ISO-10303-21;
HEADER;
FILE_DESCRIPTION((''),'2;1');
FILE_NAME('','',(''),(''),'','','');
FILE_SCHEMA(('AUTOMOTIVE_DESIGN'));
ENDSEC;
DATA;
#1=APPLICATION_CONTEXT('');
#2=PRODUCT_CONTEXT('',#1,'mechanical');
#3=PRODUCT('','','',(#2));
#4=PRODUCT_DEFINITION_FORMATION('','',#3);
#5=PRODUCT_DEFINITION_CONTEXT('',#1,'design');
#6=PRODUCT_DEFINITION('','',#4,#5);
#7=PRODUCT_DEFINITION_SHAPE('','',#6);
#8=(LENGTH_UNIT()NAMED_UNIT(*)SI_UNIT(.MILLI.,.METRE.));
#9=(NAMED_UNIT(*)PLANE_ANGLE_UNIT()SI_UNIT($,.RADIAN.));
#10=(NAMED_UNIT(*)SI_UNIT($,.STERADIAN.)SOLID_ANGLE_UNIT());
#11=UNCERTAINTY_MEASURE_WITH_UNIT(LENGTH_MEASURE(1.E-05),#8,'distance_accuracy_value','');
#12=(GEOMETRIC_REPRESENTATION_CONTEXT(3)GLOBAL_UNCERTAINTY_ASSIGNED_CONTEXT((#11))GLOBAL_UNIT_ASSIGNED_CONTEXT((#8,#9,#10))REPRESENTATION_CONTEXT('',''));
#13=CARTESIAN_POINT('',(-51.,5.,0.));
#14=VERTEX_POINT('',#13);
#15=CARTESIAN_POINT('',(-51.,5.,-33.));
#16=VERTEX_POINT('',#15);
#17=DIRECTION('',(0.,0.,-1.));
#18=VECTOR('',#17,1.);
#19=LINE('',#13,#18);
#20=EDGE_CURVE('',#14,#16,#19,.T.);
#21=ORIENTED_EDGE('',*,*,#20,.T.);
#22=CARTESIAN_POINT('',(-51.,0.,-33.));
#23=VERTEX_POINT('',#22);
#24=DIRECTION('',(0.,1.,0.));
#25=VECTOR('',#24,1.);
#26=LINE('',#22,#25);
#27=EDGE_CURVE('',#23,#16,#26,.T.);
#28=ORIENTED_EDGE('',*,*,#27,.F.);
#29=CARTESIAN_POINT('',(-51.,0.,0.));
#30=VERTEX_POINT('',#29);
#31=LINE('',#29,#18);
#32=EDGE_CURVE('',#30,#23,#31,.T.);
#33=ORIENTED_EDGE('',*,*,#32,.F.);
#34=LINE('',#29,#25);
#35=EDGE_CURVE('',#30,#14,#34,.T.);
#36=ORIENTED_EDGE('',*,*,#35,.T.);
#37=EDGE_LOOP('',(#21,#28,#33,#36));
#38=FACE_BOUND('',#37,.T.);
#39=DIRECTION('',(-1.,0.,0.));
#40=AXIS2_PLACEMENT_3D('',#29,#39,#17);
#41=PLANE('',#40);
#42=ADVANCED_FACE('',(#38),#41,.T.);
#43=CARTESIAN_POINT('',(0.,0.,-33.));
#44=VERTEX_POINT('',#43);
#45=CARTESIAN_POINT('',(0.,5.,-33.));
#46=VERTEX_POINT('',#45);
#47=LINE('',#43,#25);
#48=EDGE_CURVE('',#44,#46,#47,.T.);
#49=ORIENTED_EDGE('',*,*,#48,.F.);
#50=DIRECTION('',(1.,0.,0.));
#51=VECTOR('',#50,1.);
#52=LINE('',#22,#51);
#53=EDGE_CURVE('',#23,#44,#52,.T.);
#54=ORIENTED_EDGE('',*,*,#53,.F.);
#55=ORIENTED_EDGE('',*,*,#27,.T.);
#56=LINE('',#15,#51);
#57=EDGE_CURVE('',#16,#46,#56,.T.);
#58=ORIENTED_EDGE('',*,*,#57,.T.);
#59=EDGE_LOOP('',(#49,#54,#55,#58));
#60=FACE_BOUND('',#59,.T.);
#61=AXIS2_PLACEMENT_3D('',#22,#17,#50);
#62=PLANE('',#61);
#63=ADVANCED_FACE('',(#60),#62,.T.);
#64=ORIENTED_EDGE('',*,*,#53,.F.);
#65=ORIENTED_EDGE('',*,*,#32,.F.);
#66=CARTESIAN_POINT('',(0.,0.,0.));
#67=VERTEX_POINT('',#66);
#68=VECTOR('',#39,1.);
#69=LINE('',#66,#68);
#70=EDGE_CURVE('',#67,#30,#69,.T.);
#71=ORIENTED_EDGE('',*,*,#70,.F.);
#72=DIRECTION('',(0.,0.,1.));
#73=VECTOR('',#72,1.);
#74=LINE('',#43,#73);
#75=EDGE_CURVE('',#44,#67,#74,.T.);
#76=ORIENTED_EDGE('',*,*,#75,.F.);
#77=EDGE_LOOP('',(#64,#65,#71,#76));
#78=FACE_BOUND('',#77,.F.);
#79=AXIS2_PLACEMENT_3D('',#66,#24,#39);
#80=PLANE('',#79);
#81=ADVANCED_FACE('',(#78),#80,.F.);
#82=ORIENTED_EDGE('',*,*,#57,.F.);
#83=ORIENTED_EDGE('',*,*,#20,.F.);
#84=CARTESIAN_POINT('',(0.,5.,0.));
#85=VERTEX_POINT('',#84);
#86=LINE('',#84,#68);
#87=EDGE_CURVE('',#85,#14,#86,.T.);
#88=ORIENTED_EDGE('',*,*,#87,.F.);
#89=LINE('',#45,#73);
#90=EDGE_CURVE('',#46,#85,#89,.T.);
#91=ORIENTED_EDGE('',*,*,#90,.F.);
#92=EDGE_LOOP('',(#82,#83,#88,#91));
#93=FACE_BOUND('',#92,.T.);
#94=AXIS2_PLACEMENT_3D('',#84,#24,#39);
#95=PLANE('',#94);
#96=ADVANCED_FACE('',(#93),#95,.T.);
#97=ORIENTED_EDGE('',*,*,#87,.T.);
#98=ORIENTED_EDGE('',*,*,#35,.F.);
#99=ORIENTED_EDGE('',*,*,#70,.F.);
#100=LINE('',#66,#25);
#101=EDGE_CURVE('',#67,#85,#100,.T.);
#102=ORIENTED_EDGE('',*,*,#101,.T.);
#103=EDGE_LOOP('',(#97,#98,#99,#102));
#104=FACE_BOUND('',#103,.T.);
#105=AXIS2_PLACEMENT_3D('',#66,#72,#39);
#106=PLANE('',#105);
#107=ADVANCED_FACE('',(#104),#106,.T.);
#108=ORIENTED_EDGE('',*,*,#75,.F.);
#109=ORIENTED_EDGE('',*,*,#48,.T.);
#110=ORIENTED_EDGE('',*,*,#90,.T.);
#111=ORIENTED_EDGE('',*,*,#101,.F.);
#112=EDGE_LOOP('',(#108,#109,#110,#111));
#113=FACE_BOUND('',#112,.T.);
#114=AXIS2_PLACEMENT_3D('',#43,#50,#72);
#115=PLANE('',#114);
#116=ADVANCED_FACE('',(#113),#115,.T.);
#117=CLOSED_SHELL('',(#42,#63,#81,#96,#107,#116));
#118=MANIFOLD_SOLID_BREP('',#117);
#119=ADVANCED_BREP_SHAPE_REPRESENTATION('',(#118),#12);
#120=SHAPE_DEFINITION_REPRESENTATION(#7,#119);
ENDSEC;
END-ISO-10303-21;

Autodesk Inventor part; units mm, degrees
ref_plane "YZ Plane" through (0, 0, 0) normal (1, 0, 0) x (0, 1, 0)
ref_plane "XZ Plane" through (0, 0, 0) normal (0, 1, 0) x (-1, 0, 0)
ref_plane "XY Plane" through (0, 0, 0) normal (0, 0, 1) x (1, 0, 0)
sketch "Boceto1" plane through (0, 0, 0) normal (0, 1, 0) x (-1, 0, 0)
  line L0 (0, 0) -> (51, 0)
  line L1 (51, 0) -> (51, -33)
  line L2 (51, -33) -> (0, -33)
  line L3 (0, -33) -> (0, 0)
  dimension "d0" = 51
  dimension "d1" = 33
extrude "Extrusión1" add sketch "Boceto1" along normal blind 5
properties part number "Bateria"
